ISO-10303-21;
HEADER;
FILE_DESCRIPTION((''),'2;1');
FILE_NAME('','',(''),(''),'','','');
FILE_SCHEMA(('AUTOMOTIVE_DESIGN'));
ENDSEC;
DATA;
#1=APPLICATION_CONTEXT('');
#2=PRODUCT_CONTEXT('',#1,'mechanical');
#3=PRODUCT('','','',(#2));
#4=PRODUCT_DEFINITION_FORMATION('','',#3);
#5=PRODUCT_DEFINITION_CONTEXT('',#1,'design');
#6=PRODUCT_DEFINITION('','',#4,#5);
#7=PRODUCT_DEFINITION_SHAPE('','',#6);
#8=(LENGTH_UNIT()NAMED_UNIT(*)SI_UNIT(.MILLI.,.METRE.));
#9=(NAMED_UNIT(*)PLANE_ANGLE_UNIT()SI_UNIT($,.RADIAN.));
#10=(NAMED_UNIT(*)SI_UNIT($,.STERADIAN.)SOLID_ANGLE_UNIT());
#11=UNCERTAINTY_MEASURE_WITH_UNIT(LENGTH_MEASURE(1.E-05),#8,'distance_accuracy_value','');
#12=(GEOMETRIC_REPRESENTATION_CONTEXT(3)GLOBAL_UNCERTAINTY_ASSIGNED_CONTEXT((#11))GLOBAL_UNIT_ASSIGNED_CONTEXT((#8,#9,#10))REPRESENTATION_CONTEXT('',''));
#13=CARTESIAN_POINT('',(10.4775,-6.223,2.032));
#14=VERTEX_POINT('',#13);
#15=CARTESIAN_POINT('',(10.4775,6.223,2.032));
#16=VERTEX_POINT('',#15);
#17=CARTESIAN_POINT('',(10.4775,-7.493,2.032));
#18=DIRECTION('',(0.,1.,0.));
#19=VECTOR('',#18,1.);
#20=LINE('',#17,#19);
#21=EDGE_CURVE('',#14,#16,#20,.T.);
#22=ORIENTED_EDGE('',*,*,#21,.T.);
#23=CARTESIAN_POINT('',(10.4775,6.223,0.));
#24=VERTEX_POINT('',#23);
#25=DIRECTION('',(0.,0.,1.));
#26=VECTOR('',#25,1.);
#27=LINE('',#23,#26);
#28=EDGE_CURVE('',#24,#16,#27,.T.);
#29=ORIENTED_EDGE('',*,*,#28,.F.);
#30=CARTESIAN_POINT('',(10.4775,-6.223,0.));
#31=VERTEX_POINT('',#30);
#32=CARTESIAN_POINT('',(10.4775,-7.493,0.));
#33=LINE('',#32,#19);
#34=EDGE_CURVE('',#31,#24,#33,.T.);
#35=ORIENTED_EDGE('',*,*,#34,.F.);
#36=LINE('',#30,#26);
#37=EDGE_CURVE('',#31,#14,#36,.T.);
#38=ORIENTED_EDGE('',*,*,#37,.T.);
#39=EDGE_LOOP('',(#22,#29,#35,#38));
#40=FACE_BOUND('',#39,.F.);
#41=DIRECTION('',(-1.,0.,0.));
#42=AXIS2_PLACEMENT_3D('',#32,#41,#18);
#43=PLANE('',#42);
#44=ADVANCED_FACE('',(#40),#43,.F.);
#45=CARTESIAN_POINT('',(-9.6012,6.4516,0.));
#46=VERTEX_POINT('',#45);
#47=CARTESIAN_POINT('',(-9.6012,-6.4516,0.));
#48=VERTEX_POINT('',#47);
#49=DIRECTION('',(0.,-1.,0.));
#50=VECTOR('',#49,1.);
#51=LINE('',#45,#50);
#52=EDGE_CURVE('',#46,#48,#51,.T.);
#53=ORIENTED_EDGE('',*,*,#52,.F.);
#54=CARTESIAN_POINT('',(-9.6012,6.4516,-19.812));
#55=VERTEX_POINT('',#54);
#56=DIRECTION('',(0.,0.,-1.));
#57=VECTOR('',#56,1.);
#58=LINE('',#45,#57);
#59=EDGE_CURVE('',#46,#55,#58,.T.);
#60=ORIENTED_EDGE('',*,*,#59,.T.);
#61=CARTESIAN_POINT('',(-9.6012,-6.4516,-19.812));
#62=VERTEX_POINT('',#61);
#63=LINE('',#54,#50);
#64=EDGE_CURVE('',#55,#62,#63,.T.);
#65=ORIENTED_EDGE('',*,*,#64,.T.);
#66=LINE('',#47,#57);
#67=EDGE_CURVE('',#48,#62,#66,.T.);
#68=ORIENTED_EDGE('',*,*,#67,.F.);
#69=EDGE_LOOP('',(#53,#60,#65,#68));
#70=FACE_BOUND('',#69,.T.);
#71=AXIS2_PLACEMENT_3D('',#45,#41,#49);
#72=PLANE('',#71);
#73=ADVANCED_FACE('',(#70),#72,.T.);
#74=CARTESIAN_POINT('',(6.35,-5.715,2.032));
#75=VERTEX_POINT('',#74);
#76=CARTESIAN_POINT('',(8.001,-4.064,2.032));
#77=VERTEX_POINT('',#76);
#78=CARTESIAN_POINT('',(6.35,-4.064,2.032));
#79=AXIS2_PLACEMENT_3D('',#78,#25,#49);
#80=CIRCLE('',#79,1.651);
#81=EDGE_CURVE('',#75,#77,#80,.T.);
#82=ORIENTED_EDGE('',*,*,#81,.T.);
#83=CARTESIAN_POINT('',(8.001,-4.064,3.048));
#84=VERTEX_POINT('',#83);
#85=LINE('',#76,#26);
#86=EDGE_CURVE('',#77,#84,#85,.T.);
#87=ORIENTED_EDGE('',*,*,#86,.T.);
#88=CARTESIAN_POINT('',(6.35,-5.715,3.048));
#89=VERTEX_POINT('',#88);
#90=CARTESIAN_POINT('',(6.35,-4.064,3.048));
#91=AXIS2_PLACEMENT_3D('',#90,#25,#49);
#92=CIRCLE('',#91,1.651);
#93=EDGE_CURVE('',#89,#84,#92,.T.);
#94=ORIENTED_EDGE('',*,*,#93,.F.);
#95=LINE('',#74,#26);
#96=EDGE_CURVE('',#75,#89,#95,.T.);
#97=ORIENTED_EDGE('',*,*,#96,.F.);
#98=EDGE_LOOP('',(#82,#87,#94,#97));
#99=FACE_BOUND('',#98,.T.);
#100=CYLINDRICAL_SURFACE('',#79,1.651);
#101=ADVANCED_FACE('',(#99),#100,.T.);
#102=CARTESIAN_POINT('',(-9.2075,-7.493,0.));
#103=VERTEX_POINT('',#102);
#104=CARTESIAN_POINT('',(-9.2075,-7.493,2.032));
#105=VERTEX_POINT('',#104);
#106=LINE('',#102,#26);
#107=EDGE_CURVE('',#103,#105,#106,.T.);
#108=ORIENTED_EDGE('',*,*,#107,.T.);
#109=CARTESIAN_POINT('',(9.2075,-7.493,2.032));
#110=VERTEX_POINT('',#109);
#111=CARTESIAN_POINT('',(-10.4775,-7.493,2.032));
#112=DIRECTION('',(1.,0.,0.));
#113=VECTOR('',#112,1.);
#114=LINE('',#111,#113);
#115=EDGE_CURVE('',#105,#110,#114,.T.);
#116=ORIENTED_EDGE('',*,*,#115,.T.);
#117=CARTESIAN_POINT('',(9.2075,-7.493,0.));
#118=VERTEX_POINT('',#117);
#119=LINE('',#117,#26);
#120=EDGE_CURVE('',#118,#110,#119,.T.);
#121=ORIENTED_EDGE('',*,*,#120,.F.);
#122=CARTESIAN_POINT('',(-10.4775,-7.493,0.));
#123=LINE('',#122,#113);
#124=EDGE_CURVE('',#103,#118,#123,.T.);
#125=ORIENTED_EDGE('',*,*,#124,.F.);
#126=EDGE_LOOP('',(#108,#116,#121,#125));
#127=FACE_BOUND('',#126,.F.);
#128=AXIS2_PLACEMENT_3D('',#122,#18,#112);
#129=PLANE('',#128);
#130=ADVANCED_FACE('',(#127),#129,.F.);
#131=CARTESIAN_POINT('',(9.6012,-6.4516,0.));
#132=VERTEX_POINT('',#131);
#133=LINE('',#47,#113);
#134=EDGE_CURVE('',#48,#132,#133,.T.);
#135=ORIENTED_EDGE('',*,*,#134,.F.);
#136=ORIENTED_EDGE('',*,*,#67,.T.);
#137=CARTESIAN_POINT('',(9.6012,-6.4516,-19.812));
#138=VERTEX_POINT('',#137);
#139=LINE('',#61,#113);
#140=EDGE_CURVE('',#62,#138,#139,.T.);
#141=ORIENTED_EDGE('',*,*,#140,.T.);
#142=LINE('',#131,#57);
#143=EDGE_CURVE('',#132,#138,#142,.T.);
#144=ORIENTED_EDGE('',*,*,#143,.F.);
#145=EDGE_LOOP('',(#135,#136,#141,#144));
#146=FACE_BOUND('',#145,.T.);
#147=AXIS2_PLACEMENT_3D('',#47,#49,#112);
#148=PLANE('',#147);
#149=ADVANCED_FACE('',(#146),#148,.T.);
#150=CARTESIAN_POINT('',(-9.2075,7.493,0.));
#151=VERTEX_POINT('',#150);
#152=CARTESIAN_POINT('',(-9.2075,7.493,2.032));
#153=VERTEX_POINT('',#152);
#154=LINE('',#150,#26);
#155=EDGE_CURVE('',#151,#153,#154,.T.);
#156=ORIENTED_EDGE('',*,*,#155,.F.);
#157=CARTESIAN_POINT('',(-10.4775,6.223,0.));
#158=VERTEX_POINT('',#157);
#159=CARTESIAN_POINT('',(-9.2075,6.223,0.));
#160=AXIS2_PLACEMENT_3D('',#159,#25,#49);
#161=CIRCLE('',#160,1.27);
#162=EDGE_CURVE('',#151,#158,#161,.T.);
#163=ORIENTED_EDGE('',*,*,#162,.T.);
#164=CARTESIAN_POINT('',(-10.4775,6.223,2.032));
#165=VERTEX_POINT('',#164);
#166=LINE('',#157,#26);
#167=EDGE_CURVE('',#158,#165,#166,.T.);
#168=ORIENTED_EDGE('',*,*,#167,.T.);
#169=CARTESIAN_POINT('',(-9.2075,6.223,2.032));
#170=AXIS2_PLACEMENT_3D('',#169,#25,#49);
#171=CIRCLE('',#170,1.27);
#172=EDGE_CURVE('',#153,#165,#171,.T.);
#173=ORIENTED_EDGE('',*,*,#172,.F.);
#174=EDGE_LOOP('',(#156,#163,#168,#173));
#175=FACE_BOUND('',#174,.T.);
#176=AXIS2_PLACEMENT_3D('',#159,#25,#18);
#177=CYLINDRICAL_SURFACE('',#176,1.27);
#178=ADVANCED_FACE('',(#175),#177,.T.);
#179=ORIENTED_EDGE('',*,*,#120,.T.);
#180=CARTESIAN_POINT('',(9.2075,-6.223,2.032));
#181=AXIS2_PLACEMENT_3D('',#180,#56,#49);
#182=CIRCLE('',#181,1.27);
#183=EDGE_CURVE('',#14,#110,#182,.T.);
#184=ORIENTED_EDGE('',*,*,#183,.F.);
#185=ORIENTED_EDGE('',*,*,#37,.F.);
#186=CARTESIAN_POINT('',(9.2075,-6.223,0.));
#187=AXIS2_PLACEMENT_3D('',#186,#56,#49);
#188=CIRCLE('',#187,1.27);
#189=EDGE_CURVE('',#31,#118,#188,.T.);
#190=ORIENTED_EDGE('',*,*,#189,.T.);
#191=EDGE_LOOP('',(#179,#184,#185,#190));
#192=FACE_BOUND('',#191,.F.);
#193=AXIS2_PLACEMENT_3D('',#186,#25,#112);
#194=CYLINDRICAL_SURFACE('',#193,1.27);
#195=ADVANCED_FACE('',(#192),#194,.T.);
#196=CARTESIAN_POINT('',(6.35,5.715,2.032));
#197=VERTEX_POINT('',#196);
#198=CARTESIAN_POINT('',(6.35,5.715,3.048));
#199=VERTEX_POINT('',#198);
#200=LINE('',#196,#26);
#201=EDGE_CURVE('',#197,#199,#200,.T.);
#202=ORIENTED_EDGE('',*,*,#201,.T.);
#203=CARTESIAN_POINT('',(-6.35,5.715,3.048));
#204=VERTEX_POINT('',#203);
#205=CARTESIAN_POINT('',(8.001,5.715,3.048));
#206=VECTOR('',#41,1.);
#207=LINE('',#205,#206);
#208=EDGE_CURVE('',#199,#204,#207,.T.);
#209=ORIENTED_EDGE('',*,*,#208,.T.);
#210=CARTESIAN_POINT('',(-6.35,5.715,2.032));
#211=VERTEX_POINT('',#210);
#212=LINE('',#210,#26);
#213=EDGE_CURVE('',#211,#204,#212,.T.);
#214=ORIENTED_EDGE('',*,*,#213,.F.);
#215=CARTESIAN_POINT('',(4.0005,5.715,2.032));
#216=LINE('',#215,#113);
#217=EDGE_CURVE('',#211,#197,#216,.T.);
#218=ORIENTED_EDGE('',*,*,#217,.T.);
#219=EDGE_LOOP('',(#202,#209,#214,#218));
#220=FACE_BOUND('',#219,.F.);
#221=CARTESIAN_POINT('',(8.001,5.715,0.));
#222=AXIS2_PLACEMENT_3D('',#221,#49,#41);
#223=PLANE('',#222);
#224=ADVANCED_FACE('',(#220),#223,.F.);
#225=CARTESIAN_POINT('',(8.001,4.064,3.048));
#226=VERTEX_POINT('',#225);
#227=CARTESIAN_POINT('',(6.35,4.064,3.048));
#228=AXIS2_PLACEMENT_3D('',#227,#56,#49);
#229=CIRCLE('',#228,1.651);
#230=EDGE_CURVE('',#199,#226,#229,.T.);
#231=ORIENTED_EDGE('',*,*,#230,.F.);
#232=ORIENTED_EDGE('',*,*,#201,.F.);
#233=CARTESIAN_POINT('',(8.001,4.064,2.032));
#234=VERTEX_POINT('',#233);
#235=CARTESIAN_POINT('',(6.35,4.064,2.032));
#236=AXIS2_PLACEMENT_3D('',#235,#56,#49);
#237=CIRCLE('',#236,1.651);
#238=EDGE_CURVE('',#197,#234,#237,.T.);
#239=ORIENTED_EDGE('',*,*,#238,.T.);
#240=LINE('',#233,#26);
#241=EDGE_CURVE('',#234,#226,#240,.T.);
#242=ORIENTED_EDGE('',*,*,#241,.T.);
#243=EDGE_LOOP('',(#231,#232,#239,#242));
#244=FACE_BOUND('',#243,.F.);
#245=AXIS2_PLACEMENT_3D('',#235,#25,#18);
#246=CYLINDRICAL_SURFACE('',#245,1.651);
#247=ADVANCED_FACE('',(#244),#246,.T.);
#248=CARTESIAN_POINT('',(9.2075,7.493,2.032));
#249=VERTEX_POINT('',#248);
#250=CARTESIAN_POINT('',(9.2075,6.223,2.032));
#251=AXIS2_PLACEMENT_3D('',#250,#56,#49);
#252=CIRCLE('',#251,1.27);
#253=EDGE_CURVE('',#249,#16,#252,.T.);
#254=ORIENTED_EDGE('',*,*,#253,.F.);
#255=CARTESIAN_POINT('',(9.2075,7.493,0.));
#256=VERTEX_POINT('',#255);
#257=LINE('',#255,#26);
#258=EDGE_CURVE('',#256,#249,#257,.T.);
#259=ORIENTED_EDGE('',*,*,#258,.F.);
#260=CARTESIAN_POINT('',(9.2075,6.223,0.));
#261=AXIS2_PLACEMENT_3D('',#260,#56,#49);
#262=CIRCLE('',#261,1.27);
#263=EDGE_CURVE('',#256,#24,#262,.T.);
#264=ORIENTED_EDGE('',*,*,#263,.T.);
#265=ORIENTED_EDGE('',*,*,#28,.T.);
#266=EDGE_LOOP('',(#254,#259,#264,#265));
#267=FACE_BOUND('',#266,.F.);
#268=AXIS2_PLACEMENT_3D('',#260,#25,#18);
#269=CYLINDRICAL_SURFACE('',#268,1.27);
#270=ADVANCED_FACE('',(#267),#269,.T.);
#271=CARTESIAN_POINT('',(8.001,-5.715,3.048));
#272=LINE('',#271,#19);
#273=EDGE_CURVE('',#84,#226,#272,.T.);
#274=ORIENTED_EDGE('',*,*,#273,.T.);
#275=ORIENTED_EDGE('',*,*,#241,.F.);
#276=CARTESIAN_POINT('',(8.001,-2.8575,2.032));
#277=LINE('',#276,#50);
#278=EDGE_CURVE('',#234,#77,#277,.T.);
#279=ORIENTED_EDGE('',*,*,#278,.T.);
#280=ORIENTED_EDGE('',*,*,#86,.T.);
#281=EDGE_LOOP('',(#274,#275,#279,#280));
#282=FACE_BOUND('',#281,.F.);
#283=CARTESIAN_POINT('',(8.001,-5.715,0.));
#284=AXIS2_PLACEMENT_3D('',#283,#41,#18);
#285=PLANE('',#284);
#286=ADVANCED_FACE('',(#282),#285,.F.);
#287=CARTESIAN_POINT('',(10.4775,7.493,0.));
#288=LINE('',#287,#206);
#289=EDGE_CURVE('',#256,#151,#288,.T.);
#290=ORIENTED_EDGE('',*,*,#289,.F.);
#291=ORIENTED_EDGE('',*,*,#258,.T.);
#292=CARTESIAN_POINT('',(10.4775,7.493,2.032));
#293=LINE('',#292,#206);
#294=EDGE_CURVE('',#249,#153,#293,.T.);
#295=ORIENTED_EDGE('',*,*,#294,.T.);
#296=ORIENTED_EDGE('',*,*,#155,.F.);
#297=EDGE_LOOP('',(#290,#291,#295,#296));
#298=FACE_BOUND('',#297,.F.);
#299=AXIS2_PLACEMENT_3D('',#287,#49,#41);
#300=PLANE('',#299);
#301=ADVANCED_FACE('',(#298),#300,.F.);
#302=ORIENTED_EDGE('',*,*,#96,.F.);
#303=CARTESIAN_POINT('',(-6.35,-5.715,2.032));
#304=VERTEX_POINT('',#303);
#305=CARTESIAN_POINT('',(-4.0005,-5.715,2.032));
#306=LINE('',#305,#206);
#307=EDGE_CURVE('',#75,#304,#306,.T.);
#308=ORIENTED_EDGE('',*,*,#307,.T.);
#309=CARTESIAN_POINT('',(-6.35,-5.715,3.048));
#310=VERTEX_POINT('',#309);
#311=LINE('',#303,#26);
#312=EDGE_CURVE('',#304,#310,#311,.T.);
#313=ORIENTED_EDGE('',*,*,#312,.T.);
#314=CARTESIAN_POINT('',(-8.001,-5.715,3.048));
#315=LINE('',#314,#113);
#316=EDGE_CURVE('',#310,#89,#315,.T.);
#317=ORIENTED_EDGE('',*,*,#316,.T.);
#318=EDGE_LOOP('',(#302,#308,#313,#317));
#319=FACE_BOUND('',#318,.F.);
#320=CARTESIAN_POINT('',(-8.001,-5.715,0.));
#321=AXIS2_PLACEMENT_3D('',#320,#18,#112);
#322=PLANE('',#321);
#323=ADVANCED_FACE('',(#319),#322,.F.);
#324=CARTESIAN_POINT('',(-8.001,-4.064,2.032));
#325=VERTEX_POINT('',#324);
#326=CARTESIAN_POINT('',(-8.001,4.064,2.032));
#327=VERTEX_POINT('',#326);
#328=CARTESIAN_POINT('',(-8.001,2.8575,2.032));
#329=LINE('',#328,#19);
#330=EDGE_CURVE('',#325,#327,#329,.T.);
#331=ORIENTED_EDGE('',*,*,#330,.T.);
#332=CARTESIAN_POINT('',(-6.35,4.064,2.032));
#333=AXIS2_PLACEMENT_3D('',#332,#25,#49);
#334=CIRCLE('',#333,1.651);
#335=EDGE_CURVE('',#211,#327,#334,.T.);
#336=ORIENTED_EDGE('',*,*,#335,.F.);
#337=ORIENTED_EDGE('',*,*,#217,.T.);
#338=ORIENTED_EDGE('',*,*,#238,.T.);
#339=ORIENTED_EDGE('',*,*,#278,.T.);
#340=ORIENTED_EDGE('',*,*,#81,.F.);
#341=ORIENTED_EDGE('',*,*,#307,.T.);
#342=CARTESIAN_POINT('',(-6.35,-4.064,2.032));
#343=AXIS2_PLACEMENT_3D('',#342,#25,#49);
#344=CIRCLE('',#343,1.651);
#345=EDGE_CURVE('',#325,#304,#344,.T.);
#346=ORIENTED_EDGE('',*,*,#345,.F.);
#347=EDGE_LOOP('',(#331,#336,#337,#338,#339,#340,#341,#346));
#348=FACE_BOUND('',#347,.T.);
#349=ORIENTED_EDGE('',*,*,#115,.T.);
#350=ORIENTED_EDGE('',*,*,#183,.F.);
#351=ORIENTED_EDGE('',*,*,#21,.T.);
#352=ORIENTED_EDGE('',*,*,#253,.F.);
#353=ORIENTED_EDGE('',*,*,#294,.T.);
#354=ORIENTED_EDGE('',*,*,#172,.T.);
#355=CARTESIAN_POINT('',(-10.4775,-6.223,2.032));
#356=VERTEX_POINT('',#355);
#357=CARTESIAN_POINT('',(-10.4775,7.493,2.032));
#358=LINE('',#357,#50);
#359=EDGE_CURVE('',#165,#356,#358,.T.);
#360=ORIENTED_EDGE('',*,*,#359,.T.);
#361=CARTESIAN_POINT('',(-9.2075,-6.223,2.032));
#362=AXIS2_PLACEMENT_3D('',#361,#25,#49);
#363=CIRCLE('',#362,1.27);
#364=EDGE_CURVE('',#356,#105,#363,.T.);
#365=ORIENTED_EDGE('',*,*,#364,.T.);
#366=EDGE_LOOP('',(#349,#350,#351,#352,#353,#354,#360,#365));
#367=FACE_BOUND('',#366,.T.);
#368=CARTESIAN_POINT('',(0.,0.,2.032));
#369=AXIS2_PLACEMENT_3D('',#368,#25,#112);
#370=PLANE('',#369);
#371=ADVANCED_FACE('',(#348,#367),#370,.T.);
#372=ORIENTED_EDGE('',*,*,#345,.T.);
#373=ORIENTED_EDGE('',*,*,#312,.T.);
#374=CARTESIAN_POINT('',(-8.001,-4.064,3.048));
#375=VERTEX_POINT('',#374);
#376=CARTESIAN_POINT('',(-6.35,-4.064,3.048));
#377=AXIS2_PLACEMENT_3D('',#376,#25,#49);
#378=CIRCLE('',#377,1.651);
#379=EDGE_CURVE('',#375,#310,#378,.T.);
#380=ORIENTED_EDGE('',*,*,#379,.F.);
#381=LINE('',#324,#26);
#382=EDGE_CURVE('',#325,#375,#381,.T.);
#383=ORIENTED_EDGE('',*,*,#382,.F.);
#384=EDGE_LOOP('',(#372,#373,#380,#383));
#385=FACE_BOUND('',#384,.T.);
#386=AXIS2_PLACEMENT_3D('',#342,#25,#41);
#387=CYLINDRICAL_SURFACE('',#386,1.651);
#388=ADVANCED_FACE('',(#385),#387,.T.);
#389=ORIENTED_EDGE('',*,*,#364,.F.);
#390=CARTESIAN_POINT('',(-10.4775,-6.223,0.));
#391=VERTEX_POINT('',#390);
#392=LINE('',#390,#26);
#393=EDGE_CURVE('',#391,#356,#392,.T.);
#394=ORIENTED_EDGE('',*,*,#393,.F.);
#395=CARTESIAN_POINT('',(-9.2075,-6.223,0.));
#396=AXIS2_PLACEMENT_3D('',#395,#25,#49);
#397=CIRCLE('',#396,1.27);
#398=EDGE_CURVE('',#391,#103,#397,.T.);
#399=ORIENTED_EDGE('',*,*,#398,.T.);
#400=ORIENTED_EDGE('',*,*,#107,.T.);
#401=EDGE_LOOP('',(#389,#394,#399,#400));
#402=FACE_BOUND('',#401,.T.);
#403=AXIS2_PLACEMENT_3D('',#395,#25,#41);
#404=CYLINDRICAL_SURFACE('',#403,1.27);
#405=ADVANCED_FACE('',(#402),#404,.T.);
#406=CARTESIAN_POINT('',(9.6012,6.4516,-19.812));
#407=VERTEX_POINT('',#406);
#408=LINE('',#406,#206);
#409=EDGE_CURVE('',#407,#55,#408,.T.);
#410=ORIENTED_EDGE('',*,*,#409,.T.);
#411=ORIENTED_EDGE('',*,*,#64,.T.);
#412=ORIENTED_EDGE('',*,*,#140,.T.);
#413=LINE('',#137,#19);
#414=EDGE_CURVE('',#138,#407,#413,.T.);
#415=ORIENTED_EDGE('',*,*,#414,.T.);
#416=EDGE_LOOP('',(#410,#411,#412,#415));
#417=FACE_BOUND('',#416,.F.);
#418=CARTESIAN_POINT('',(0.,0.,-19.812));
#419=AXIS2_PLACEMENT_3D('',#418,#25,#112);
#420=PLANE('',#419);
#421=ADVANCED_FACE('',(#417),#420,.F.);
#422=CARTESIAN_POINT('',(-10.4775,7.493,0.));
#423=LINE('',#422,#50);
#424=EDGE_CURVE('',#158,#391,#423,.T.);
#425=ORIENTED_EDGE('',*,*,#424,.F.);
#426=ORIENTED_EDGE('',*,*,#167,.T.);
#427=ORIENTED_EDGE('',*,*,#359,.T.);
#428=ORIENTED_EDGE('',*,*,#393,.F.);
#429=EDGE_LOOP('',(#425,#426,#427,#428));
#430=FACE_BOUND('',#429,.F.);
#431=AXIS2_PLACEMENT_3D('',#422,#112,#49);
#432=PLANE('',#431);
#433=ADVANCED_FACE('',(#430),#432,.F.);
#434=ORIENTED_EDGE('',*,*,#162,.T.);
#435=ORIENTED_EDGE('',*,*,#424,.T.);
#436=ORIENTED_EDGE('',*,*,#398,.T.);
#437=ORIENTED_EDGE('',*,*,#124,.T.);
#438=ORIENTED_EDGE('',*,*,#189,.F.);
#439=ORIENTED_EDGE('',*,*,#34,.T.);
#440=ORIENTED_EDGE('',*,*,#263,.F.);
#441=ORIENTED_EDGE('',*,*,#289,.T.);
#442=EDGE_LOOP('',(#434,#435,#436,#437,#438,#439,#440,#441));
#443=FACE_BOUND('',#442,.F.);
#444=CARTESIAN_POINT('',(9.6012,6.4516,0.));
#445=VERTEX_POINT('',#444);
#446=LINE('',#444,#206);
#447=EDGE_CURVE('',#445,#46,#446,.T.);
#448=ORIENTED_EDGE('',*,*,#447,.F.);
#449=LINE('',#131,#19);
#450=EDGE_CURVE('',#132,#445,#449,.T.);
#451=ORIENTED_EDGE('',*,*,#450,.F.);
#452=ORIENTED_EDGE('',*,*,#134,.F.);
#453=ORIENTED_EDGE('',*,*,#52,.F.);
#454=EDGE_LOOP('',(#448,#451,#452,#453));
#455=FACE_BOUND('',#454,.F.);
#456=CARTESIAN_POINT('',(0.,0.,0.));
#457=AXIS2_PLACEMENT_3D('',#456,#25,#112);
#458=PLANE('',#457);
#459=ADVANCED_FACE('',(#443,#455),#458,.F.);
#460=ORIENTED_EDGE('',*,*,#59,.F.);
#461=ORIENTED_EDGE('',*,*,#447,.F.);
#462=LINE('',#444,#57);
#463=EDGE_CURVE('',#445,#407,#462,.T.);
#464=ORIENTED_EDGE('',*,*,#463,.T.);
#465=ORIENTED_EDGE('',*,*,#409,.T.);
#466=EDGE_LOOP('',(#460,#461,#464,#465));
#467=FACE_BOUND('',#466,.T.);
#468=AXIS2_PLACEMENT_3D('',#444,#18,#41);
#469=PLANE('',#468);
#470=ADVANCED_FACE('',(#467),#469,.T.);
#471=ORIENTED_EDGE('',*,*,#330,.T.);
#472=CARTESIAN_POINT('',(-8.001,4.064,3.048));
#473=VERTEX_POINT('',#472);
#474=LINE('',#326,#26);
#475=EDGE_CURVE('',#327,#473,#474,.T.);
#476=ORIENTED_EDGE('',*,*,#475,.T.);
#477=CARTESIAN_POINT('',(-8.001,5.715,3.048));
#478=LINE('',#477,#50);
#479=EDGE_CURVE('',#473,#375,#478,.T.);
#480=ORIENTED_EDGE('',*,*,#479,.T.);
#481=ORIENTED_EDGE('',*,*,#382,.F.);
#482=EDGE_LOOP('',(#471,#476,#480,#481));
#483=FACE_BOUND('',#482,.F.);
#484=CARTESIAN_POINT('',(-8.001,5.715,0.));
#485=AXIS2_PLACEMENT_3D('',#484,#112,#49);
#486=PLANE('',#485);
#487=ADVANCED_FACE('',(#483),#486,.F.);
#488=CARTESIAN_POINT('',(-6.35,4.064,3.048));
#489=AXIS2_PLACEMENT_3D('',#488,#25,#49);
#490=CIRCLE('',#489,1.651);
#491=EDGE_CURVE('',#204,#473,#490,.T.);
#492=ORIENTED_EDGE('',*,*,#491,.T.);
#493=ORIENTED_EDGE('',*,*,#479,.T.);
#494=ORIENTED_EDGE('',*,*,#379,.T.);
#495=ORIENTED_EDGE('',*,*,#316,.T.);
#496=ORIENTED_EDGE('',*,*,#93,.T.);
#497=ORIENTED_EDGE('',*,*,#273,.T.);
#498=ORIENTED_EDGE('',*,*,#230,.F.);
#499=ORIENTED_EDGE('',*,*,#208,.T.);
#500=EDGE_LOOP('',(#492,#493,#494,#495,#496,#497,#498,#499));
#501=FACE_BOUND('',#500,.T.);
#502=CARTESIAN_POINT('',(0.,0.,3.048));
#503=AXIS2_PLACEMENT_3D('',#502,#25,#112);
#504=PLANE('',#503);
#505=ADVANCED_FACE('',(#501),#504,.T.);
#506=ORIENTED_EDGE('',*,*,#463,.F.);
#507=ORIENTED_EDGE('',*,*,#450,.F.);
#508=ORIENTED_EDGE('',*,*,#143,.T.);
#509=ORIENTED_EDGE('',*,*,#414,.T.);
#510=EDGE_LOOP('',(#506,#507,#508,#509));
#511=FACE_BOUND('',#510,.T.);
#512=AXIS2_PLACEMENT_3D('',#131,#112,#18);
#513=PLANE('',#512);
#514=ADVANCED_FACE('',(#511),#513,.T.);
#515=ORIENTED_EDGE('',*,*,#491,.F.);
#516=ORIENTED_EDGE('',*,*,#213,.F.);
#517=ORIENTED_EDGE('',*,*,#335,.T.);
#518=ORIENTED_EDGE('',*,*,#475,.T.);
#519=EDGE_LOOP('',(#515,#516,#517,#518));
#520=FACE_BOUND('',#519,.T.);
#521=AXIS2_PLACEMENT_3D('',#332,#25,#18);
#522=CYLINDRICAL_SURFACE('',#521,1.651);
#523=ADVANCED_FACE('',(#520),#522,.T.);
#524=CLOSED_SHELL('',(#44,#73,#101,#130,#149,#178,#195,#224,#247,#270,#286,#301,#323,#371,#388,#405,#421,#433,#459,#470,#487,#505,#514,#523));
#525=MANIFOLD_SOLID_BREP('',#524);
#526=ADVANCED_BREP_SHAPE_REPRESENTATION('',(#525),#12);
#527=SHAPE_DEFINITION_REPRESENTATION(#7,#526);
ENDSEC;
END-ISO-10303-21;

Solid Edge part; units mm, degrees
sketch "Sketch1" plane through (0, 0, 0) normal (0, 0, 1) x (1, 0, 0)
  line L0 (10.4775, 7.493) -> (-10.4775, 7.493)
  line L1 (-10.4775, 7.493) -> (-10.4775, -7.493)
  line L2 (-10.4775, -7.493) -> (10.4775, -7.493)
  line L3 (10.4775, -7.493) -> (10.4775, 7.493)
extrude "Protrusion1" add sketch "Sketch1" along normal blind 2.032
sketch "Sketch2" plane through (0, 0, 0) normal (0, 0, 1) x (1, 0, 0)
  line L0 (9.6012, -6.4516) -> (9.6012, 6.4516)
  line L1 (9.6012, 6.4516) -> (-9.6012, 6.4516)
  line L2 (-9.6012, 6.4516) -> (-9.6012, -6.4516)
  line L3 (-9.6012, -6.4516) -> (9.6012, -6.4516)
extrude "ExtrudedProtrusion_2" add sketch "Sketch2" against normal blind 19.812
sketch "Sketch3" plane through (0, 0, 0) normal (0, 0, 1) x (1, 0, 0)
  line L0 (8.001, -5.715) -> (8.001, 5.715)
  line L1 (8.001, 5.715) -> (-8.001, 5.715)
  line L2 (-8.001, 5.715) -> (-8.001, -5.715)
  line L3 (-8.001, -5.715) -> (8.001, -5.715)
extrude "ExtrudedProtrusion_3" add sketch "Sketch3" along normal blind 3.048
fillet "Round_1" radius 1.27 4 edges at (-10.4775, 7.493, 1.016) (-10.4775, -7.493, 1.016) (10.4775, 7.493, 1.016) (10.4775, -7.493, 1.016)
fillet "Round_2" radius 1.651 4 edges at (8.001, -5.715, 2.54) (8.001, 5.715, 2.54) (-8.001, -5.715, 2.54) (-8.001, 5.715, 2.54)
